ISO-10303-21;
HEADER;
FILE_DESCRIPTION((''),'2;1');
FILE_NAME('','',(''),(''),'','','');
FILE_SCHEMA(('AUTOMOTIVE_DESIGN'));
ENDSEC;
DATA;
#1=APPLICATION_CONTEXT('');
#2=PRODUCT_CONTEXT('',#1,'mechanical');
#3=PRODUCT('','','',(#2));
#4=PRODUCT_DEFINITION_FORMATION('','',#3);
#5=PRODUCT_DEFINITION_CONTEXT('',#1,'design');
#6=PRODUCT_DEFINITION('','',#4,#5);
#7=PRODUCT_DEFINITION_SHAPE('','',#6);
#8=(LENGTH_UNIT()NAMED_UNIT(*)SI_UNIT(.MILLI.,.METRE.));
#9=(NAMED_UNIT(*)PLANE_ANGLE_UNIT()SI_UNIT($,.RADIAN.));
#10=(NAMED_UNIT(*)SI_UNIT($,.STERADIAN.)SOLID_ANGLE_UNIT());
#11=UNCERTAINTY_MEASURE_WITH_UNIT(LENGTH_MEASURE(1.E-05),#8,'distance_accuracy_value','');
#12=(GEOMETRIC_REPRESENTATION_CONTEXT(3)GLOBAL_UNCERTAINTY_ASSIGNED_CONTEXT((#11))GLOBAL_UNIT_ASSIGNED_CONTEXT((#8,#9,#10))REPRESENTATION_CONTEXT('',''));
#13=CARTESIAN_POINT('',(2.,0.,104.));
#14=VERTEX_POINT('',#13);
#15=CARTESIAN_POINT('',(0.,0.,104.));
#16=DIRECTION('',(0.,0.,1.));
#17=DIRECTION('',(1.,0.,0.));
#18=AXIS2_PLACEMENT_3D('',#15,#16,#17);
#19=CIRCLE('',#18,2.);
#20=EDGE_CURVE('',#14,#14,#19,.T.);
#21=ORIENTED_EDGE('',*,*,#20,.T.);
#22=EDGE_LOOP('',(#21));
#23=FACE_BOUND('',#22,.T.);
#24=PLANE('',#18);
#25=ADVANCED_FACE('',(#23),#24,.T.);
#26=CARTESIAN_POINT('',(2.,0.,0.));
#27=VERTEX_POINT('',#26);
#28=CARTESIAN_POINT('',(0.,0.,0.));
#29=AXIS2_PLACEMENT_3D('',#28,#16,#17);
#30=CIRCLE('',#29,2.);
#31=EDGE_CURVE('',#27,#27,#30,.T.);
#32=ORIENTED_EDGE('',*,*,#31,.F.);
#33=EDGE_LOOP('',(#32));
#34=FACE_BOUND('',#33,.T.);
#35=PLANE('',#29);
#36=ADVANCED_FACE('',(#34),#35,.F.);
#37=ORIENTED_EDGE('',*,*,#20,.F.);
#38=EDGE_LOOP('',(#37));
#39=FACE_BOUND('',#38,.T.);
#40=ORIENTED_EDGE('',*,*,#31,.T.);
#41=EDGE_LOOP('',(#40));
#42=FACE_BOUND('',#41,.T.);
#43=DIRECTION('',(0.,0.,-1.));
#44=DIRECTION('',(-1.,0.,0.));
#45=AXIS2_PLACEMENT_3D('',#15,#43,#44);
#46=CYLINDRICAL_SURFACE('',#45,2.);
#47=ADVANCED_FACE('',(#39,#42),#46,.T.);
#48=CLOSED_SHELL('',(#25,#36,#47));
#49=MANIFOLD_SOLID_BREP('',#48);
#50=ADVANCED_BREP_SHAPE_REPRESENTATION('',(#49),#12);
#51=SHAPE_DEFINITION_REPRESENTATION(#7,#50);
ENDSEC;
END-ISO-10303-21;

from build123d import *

# Parameters (mm, degrees)
SKETCH1_R           = 2
BOSS_EXTRUDE1_DEPTH = 104


with BuildPart() as part:
    # Sketch1 → Boss-Extrude1 (new body)
    with BuildSketch(Plane.XY):
        Circle(SKETCH1_R)
    extrude(amount=BOSS_EXTRUDE1_DEPTH)


solid = part.part
